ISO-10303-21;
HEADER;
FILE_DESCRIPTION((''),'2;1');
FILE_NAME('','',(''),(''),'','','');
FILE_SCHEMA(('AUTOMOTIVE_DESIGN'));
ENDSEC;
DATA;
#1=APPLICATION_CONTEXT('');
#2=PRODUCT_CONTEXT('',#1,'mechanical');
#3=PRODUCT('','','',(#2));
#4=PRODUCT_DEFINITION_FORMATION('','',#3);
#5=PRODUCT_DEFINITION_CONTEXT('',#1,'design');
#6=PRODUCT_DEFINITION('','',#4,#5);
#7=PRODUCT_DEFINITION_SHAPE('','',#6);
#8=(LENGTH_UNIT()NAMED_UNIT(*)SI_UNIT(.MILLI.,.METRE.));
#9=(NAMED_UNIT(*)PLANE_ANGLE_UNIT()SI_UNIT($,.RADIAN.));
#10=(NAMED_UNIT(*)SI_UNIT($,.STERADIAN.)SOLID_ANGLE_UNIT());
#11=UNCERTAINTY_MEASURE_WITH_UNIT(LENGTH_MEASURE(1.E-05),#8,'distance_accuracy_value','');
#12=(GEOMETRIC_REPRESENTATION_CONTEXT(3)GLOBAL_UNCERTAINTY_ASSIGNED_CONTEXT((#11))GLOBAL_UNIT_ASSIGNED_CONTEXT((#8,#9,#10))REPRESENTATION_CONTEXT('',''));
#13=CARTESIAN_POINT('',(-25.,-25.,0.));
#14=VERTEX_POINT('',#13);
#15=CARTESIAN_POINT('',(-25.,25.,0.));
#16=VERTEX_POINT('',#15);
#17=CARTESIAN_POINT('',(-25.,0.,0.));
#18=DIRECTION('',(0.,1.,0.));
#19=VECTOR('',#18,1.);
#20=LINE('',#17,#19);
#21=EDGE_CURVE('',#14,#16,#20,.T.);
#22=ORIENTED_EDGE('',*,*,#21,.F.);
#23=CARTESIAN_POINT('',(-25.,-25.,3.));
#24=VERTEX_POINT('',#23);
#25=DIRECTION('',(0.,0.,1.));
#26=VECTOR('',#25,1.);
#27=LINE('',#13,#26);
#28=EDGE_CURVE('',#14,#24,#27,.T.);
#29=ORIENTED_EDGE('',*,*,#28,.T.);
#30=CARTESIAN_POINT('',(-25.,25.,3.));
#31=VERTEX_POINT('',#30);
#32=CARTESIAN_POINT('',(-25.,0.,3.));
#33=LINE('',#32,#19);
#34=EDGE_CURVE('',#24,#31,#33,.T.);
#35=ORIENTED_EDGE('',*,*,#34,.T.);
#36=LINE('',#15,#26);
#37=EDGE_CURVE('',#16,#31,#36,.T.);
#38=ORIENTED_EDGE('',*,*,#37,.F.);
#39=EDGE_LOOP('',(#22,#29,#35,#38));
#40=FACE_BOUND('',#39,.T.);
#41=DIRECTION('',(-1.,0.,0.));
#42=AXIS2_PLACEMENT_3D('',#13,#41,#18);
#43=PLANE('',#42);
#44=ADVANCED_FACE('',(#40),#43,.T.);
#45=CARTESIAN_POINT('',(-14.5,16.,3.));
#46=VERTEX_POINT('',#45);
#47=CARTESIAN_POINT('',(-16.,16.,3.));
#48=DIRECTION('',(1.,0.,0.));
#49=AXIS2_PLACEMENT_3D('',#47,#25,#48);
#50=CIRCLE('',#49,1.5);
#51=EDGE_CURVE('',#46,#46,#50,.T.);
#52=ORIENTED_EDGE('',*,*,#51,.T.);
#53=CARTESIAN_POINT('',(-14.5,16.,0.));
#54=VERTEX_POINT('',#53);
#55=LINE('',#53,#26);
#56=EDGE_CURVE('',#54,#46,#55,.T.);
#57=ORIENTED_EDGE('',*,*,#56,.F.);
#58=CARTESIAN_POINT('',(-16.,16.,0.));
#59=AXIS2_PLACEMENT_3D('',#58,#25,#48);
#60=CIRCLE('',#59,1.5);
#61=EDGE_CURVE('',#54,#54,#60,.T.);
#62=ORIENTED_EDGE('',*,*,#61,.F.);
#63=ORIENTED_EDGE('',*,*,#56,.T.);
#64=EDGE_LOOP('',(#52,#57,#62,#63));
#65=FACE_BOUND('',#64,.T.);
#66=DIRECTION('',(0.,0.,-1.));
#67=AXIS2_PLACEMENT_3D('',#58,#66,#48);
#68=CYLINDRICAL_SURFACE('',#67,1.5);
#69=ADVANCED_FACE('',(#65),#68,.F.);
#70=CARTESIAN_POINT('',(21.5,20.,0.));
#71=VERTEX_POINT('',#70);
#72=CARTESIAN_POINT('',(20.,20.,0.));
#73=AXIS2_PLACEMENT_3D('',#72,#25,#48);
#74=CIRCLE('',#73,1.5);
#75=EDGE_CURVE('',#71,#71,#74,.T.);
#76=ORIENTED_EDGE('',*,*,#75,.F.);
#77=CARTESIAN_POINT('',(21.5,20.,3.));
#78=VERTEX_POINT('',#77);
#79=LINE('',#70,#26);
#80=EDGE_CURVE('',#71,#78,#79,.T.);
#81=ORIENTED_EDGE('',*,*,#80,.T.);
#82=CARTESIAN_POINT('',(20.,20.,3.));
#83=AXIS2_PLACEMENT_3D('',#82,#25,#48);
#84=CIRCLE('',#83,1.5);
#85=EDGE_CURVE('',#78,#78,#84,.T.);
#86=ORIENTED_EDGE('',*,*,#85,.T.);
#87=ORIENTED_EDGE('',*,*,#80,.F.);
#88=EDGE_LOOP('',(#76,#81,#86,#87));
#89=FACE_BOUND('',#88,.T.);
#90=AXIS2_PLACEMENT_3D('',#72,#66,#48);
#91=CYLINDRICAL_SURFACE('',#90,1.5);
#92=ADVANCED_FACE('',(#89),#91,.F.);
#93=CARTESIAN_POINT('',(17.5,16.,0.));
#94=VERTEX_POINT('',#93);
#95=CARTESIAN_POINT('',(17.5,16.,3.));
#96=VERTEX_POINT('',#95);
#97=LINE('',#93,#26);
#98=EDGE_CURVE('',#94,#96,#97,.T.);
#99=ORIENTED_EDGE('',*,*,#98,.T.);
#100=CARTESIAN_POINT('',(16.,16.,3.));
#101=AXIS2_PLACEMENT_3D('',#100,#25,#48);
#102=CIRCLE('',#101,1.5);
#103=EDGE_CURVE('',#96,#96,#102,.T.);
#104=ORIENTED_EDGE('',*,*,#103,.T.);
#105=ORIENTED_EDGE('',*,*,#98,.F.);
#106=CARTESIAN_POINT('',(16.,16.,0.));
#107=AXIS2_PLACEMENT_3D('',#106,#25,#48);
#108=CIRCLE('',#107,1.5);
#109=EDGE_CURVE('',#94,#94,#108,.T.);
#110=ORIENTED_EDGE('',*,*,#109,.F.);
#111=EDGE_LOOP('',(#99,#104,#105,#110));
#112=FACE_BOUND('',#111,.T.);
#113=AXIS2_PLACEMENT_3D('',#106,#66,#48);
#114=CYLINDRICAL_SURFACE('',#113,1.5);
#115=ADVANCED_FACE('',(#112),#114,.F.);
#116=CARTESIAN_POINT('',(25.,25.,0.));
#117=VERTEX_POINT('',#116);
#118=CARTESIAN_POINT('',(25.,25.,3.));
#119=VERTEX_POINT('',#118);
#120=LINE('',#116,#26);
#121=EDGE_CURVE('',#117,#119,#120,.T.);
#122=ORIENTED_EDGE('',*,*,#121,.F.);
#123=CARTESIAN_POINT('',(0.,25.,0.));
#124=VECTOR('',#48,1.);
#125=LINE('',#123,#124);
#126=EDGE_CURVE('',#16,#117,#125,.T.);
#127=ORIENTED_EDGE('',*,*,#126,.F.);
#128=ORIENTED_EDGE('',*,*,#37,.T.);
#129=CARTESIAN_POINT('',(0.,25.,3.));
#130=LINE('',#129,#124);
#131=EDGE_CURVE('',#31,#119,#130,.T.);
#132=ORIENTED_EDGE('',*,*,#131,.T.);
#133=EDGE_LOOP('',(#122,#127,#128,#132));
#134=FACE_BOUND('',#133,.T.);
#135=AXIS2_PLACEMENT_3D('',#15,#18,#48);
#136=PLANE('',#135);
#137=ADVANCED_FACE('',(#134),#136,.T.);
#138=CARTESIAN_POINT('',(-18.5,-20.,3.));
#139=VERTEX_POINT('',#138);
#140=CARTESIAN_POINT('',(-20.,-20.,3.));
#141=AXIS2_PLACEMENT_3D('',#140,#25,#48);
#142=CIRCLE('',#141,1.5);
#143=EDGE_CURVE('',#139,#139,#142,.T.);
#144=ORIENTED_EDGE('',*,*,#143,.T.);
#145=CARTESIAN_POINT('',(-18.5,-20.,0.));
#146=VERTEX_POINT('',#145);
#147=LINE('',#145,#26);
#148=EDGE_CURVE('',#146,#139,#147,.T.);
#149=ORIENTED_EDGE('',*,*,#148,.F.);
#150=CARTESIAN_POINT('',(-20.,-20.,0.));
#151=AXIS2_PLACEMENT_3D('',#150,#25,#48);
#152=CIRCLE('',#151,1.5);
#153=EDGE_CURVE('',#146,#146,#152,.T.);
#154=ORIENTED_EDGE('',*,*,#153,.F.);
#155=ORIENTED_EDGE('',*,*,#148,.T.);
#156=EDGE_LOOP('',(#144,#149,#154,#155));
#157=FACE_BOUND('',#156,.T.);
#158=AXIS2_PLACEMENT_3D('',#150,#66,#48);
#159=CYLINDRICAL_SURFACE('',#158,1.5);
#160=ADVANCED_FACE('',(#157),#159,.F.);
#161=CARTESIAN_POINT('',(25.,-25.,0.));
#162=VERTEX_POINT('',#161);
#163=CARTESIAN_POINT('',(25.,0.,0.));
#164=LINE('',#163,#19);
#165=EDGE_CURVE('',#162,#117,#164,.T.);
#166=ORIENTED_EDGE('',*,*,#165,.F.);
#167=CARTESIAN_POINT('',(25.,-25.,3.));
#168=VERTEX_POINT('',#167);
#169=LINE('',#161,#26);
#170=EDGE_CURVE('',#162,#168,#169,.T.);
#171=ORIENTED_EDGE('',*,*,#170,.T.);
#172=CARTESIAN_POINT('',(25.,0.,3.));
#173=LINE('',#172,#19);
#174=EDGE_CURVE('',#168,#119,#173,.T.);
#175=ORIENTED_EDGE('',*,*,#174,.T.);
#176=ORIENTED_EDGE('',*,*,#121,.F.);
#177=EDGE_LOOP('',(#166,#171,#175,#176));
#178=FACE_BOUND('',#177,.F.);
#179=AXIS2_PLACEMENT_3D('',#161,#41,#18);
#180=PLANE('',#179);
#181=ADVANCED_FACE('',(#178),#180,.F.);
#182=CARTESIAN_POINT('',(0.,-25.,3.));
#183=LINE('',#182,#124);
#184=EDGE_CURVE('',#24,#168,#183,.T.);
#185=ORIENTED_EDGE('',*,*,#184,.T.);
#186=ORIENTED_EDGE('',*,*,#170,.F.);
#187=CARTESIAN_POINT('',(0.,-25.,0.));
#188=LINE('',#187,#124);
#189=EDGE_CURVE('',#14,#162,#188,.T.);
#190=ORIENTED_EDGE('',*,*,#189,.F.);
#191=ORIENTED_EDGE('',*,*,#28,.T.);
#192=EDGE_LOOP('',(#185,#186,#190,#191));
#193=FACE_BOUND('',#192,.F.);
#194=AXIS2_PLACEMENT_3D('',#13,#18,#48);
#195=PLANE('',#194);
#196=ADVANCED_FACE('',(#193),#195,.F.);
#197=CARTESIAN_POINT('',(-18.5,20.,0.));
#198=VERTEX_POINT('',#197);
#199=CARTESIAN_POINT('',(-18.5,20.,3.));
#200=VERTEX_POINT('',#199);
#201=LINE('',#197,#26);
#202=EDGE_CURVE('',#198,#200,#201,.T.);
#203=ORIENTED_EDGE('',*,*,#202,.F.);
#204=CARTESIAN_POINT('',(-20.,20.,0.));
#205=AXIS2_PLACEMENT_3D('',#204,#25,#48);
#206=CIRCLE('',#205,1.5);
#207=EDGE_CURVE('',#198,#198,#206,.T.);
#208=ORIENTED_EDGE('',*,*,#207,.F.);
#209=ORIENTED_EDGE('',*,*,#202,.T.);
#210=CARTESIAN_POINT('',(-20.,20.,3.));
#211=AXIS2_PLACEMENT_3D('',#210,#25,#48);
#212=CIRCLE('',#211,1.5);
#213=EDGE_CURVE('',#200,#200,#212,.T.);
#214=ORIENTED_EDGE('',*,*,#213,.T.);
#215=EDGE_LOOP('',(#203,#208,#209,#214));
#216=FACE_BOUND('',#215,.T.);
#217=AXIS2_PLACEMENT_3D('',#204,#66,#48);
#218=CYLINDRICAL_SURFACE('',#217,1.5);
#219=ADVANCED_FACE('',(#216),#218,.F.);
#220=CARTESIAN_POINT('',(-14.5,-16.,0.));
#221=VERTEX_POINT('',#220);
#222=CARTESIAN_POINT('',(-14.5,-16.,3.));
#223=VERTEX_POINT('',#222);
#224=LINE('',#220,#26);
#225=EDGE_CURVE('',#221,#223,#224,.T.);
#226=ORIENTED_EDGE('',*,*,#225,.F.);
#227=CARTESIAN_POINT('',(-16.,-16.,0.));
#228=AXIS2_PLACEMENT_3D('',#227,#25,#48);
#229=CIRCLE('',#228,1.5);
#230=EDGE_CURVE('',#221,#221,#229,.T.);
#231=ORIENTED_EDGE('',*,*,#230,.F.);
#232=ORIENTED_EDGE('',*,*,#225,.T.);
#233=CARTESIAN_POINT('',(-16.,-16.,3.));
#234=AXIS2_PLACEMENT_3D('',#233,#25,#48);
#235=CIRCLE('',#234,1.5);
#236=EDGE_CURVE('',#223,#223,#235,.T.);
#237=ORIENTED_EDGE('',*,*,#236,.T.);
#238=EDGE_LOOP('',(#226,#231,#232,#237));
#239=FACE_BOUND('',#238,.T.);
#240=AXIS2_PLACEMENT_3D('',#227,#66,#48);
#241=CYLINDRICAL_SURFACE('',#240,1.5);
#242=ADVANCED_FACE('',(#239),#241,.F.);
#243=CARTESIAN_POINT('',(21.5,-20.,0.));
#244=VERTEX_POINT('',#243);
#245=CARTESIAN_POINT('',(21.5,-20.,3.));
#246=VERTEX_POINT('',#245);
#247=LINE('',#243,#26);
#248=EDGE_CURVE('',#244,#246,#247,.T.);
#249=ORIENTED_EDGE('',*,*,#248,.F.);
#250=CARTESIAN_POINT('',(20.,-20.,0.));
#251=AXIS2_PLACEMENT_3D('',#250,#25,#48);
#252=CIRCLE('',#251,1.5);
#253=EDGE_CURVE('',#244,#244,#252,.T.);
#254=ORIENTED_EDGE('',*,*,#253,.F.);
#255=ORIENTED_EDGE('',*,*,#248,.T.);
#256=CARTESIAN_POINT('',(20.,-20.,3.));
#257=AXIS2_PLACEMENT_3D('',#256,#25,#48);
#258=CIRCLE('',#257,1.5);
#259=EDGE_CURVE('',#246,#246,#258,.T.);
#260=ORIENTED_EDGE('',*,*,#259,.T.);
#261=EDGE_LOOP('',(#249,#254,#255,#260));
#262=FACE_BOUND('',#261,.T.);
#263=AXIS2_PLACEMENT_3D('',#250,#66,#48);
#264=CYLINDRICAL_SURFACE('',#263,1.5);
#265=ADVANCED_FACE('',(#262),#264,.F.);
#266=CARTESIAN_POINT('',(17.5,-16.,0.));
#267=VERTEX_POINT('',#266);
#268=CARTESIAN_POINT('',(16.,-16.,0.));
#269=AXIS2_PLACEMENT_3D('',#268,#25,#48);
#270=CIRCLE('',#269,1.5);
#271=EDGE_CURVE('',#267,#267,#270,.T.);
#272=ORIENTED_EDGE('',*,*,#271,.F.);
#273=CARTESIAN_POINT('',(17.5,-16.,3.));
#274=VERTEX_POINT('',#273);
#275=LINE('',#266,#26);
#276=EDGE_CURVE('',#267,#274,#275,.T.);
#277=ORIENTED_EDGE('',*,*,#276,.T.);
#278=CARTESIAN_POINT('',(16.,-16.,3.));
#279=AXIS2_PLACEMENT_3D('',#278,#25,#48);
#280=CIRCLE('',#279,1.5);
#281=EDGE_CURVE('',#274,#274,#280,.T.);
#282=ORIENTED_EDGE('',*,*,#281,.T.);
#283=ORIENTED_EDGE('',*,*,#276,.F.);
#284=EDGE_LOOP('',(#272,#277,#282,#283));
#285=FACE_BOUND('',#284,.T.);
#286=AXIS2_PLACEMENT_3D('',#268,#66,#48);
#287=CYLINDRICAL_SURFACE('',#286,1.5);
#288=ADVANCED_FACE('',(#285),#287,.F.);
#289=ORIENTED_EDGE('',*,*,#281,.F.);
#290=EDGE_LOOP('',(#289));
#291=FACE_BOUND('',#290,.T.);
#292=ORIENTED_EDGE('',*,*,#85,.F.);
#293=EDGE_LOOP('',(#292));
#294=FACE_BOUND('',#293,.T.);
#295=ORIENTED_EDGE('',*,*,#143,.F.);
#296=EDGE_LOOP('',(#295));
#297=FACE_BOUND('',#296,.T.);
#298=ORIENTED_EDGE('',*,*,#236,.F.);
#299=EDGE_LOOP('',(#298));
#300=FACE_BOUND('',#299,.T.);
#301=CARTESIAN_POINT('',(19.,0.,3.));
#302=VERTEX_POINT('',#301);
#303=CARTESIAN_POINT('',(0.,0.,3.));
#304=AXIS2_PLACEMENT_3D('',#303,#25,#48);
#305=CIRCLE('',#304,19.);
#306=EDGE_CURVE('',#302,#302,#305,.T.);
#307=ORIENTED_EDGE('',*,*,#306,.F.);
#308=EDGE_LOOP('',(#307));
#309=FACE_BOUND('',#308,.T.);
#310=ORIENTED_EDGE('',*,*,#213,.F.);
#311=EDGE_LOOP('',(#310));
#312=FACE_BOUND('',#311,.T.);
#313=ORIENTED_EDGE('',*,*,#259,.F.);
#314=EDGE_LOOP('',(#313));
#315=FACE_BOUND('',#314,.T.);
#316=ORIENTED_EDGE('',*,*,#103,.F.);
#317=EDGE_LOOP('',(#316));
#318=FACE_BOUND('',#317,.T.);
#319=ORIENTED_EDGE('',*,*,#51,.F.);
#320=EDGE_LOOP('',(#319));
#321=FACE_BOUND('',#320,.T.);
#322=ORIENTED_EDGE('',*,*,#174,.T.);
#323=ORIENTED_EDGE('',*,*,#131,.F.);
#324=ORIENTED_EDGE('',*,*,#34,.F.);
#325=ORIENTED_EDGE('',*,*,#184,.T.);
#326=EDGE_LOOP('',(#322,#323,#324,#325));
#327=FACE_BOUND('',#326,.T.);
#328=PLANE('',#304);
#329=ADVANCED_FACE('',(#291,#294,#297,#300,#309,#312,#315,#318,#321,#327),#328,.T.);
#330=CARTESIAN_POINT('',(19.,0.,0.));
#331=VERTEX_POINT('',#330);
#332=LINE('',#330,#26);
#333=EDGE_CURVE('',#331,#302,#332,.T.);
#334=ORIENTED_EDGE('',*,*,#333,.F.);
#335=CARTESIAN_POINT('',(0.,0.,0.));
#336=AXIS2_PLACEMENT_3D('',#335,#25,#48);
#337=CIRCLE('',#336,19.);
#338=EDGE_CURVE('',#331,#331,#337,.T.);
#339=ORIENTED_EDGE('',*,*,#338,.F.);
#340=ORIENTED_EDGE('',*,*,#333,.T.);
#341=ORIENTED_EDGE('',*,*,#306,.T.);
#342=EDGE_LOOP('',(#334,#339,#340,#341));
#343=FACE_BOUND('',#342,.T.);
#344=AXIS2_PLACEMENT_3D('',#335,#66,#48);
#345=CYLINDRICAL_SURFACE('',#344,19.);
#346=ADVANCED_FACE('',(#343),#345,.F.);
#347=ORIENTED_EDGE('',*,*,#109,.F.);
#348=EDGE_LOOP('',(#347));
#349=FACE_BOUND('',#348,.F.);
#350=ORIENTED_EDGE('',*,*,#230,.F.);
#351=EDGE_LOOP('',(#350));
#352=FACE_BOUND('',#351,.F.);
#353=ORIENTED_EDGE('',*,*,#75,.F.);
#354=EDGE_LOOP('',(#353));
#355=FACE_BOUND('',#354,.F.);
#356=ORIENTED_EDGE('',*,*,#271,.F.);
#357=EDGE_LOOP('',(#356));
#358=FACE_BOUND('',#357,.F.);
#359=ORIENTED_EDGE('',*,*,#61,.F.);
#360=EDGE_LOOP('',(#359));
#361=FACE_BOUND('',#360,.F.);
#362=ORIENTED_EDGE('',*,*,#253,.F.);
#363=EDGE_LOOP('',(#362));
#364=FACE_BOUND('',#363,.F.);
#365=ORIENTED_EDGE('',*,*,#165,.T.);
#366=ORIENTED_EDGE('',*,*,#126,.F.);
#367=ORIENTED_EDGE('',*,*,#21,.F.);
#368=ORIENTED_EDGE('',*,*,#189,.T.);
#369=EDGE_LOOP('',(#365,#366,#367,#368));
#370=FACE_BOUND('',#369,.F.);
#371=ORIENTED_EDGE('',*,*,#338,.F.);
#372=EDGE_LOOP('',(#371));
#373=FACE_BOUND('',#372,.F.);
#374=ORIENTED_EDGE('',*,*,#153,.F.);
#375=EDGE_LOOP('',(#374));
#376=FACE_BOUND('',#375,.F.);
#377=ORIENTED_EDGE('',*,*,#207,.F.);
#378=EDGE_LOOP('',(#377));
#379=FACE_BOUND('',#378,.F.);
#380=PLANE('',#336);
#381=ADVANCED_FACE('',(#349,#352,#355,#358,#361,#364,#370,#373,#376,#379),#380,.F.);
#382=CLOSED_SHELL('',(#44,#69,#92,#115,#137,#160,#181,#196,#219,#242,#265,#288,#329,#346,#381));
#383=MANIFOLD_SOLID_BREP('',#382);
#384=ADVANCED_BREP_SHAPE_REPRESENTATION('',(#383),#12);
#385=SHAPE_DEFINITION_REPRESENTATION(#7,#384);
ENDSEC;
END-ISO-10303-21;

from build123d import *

# Parameters (mm, degrees)
F0_W     = 50
F0_H     = 50
F0_R     = 1.5
F0_R_2   = 19
F1_DEPTH = 3


with BuildPart() as f1:
    # F0 (on Top) → F1 (new body)
    with BuildSketch(Plane.XY):
        Rectangle(F0_W, F0_H)
        with Locations((-20, -20)):
            Circle(F0_R, mode=Mode.SUBTRACT)
        with Locations((-16, -16)):
            Circle(F0_R, mode=Mode.SUBTRACT)
        with Locations((20, -20)):
            Circle(F0_R, mode=Mode.SUBTRACT)
        with Locations((16, -16)):
            Circle(F0_R, mode=Mode.SUBTRACT)
        with Locations((-16, 16)):
            Circle(F0_R, mode=Mode.SUBTRACT)
        with Locations((-20, 20)):
            Circle(F0_R, mode=Mode.SUBTRACT)
        Circle(F0_R_2, mode=Mode.SUBTRACT)
        with Locations((16, 16)):
            Circle(F0_R, mode=Mode.SUBTRACT)
        with Locations((20, 20)):
            Circle(F0_R, mode=Mode.SUBTRACT)
    extrude(amount=F1_DEPTH)


solid = f1.part
